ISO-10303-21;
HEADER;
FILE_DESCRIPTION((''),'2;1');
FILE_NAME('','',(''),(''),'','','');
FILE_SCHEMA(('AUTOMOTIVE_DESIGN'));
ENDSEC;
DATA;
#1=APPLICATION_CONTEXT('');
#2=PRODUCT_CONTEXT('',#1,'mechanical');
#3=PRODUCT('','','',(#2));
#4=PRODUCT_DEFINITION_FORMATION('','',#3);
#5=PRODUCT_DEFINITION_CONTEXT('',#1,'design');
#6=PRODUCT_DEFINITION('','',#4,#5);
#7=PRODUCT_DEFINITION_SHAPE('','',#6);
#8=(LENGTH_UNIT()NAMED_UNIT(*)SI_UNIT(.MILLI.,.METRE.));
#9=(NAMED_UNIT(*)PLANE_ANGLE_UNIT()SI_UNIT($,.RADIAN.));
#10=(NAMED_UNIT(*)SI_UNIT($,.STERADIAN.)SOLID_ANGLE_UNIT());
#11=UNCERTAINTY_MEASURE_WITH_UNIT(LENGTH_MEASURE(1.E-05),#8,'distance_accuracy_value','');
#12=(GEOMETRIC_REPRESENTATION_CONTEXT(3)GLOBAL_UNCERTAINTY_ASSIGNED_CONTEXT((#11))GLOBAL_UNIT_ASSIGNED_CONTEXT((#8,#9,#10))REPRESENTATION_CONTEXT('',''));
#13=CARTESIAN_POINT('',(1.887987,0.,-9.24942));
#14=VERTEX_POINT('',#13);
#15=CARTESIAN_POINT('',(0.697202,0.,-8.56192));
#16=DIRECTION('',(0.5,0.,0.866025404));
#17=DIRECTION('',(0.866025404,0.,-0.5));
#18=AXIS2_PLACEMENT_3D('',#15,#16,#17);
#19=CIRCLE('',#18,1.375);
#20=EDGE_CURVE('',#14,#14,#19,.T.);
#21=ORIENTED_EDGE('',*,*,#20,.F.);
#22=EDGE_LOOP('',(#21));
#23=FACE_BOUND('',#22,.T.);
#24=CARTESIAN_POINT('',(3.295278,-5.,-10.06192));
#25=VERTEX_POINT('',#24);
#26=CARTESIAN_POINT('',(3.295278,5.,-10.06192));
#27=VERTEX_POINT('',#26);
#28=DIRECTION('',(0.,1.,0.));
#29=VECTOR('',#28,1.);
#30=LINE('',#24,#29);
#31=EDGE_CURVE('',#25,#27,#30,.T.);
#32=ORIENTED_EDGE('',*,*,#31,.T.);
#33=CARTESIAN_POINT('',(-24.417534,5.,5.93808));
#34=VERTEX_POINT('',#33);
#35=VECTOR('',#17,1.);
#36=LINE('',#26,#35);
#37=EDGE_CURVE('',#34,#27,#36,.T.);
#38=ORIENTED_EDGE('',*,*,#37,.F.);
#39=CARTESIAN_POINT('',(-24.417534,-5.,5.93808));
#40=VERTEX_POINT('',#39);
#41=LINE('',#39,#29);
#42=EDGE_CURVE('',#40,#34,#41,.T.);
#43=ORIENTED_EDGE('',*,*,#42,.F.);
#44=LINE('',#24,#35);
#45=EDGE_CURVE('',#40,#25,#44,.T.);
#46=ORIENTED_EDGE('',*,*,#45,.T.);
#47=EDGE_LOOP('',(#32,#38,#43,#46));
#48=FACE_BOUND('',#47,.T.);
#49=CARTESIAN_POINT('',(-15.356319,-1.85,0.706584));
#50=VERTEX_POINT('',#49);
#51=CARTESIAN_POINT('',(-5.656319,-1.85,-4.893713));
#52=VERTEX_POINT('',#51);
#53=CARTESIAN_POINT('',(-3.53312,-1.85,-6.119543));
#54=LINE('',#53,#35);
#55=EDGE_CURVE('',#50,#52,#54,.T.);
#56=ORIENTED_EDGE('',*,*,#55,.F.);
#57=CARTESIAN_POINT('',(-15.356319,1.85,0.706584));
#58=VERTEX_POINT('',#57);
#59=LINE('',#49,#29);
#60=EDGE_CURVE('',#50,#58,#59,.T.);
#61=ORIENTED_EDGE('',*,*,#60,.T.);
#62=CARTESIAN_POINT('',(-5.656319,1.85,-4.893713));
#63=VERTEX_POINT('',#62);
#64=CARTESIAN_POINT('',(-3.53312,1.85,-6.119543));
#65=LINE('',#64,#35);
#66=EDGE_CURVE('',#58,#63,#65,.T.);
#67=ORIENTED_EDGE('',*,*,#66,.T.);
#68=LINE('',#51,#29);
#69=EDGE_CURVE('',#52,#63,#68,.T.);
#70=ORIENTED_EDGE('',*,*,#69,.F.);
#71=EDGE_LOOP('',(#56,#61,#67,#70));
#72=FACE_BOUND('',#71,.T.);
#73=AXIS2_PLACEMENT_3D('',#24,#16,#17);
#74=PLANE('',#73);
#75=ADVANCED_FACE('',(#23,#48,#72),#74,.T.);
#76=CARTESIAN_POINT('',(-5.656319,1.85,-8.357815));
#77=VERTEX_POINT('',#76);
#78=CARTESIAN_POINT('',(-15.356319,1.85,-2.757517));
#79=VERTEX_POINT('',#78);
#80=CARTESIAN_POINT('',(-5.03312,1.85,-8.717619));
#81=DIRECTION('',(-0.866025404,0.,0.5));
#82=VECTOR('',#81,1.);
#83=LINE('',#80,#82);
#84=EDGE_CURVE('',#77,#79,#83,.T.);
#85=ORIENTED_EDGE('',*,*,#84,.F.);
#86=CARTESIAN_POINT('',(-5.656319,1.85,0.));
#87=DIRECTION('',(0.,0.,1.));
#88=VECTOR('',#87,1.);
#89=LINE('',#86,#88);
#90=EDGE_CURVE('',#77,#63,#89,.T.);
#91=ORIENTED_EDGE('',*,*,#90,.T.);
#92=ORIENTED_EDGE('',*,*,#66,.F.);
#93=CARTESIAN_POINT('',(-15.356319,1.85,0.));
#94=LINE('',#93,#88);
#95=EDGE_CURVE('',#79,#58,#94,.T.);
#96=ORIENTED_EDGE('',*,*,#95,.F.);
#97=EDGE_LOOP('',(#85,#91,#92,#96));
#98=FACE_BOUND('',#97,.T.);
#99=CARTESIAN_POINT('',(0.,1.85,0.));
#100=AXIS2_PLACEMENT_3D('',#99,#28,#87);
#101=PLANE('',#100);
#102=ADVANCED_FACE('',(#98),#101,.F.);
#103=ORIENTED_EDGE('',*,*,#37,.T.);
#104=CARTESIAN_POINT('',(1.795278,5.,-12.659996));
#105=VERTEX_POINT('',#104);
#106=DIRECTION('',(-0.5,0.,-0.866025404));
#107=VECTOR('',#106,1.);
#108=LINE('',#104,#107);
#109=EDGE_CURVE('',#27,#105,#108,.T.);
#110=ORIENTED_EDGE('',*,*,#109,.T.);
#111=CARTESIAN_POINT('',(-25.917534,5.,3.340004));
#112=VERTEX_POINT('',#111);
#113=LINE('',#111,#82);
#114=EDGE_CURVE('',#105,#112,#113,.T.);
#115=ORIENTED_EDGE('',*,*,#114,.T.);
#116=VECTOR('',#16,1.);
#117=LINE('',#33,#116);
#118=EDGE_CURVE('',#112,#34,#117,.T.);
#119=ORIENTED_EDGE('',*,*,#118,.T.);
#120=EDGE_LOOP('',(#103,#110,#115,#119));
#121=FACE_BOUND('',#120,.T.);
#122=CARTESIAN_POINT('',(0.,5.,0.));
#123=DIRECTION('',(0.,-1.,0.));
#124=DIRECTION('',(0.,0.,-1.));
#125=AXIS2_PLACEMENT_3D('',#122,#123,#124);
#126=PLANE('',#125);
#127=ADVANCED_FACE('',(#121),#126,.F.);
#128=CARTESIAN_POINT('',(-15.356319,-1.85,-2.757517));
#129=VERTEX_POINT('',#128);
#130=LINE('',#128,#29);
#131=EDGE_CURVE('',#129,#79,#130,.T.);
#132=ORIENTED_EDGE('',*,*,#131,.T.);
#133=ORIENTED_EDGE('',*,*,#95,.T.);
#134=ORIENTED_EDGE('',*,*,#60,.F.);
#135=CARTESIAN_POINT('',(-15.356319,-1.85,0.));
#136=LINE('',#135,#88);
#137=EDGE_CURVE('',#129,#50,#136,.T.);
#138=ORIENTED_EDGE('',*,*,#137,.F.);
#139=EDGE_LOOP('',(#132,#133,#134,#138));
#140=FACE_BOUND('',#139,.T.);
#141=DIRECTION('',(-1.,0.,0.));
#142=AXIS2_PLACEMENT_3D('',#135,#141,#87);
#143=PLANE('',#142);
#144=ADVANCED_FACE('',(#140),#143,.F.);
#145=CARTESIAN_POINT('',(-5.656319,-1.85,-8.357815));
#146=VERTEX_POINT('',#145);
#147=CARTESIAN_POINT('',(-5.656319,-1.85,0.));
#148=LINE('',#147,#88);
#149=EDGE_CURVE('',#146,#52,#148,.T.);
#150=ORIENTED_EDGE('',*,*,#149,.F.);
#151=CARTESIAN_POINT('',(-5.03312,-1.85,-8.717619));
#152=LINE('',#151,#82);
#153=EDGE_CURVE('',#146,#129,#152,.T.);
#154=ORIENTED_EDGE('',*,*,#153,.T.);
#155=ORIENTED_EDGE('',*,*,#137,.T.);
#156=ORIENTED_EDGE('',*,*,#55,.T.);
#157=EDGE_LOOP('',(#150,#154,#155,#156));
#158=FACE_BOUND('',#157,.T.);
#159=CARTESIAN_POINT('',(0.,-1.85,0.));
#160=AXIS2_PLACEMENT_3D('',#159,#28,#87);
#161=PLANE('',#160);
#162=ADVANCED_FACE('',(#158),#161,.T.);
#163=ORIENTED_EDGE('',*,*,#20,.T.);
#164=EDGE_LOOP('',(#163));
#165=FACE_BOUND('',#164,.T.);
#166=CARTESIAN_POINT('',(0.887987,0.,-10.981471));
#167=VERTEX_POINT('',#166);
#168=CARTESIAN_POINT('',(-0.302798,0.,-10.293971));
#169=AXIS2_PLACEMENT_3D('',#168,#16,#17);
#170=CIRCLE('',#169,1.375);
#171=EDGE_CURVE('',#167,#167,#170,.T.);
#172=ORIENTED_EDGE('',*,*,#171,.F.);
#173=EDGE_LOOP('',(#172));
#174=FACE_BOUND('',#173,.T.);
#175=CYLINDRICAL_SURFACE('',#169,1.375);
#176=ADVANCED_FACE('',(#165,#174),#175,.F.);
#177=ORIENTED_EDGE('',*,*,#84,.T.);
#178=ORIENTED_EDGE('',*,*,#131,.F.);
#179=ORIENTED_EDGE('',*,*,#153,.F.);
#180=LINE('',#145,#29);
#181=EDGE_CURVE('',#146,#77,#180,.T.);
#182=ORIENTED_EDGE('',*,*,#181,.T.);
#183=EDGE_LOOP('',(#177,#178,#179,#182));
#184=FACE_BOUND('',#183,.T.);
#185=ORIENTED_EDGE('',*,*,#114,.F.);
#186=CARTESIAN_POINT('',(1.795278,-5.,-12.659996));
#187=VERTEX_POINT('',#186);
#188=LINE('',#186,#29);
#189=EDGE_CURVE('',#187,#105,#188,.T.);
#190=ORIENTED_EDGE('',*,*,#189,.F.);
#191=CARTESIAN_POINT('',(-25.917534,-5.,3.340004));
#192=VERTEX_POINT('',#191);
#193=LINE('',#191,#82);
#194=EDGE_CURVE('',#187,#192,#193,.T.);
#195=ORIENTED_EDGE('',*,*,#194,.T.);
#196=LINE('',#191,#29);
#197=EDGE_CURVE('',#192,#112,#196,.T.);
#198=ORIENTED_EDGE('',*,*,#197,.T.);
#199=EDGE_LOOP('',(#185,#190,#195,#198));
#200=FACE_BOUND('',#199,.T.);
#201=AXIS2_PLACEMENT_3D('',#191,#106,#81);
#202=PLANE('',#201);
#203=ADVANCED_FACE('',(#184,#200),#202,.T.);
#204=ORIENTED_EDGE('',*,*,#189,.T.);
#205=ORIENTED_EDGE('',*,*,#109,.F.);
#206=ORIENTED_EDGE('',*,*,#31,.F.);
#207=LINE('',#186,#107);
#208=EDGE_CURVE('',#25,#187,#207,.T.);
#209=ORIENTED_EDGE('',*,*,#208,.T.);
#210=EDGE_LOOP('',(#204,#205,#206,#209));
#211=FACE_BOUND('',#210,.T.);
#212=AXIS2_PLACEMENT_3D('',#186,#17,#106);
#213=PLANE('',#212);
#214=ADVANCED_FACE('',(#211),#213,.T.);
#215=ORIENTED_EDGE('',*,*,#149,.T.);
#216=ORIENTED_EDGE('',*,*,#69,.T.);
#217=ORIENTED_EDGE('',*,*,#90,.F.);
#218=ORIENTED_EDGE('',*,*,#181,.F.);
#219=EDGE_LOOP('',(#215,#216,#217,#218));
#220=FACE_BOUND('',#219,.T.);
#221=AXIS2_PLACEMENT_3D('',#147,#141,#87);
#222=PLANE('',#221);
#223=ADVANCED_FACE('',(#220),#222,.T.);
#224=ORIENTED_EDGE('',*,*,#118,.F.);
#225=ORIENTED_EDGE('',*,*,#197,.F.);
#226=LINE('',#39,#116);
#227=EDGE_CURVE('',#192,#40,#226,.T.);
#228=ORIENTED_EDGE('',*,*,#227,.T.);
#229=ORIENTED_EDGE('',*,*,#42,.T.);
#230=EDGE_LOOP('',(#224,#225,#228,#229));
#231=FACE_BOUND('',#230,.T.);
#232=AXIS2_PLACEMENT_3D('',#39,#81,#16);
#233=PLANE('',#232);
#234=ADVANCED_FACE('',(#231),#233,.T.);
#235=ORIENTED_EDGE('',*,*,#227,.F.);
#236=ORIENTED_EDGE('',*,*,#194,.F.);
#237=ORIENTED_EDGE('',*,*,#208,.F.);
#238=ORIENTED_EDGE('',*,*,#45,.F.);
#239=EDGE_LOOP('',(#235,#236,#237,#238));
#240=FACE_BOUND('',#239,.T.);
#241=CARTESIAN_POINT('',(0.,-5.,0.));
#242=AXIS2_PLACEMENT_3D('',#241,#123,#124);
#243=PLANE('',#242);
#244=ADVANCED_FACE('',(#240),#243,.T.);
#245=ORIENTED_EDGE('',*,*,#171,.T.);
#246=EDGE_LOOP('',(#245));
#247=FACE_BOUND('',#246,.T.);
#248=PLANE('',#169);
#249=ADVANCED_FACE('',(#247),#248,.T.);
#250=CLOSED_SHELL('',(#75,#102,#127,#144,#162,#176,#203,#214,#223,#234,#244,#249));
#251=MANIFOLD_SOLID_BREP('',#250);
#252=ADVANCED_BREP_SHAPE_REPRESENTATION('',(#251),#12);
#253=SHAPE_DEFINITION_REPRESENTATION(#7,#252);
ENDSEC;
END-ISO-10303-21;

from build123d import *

# Parameters (mm, degrees)
EXTRUDE_1_DEPTH      = 5
EXTRUDE_1_DEPTH_BACK = 5
CUT_EXTRUDE_1_DEPTH  = 1.85
SKETCH_3_R           = 1.375
CUT_EXTRUDE_2_DEPTH  = 2


with BuildPart() as part:
    # 草圖1 → 填料-伸長1 (new, two sides: drawn at the far end of the back side and taken through both)
    with BuildSketch(Plane(origin=(0, 0, 0), x_dir=(1, 0, 0), z_dir=(0, 1, 0)).offset(-EXTRUDE_1_DEPTH_BACK)):
        Polygon((-24.417534462, -5.938079912), (-25.917534462, -3.340003701), (1.795278459, 12.659996299), (3.295278459, 10.061920088), align=None)
    extrude(amount=EXTRUDE_1_DEPTH + EXTRUDE_1_DEPTH_BACK)

    # 草圖2 → 除料-伸長1 (cut, symmetric)
    with BuildSketch(Plane(origin=(0, 0, 0), x_dir=(1, 0, 0), z_dir=(0, 1, 0))):
        Polygon((-15.35631853, 2.4), (-15.35631853, -0.706584455), (-5.65631853, 4.893713156), (-5.65631853, 8.357814772), (-15.35631853, 2.75751716), align=None)
    extrude(amount=CUT_EXTRUDE_1_DEPTH, both=True, mode=Mode.SUBTRACT)

    # 草圖3 → 除料-伸長2 (cut)
    with BuildSketch(Plane(origin=(-3.533119589, 0, -6.119542637), x_dir=(0.8660254037844386, 0, -0.5000000000000003), z_dir=(0.5000000000000003, 0, 0.8660254037844386))):
        with Locations((4.884754902, 0)):
            Circle(SKETCH_3_R)
    extrude(amount=-CUT_EXTRUDE_2_DEPTH, mode=Mode.SUBTRACT)


solid = part.part
